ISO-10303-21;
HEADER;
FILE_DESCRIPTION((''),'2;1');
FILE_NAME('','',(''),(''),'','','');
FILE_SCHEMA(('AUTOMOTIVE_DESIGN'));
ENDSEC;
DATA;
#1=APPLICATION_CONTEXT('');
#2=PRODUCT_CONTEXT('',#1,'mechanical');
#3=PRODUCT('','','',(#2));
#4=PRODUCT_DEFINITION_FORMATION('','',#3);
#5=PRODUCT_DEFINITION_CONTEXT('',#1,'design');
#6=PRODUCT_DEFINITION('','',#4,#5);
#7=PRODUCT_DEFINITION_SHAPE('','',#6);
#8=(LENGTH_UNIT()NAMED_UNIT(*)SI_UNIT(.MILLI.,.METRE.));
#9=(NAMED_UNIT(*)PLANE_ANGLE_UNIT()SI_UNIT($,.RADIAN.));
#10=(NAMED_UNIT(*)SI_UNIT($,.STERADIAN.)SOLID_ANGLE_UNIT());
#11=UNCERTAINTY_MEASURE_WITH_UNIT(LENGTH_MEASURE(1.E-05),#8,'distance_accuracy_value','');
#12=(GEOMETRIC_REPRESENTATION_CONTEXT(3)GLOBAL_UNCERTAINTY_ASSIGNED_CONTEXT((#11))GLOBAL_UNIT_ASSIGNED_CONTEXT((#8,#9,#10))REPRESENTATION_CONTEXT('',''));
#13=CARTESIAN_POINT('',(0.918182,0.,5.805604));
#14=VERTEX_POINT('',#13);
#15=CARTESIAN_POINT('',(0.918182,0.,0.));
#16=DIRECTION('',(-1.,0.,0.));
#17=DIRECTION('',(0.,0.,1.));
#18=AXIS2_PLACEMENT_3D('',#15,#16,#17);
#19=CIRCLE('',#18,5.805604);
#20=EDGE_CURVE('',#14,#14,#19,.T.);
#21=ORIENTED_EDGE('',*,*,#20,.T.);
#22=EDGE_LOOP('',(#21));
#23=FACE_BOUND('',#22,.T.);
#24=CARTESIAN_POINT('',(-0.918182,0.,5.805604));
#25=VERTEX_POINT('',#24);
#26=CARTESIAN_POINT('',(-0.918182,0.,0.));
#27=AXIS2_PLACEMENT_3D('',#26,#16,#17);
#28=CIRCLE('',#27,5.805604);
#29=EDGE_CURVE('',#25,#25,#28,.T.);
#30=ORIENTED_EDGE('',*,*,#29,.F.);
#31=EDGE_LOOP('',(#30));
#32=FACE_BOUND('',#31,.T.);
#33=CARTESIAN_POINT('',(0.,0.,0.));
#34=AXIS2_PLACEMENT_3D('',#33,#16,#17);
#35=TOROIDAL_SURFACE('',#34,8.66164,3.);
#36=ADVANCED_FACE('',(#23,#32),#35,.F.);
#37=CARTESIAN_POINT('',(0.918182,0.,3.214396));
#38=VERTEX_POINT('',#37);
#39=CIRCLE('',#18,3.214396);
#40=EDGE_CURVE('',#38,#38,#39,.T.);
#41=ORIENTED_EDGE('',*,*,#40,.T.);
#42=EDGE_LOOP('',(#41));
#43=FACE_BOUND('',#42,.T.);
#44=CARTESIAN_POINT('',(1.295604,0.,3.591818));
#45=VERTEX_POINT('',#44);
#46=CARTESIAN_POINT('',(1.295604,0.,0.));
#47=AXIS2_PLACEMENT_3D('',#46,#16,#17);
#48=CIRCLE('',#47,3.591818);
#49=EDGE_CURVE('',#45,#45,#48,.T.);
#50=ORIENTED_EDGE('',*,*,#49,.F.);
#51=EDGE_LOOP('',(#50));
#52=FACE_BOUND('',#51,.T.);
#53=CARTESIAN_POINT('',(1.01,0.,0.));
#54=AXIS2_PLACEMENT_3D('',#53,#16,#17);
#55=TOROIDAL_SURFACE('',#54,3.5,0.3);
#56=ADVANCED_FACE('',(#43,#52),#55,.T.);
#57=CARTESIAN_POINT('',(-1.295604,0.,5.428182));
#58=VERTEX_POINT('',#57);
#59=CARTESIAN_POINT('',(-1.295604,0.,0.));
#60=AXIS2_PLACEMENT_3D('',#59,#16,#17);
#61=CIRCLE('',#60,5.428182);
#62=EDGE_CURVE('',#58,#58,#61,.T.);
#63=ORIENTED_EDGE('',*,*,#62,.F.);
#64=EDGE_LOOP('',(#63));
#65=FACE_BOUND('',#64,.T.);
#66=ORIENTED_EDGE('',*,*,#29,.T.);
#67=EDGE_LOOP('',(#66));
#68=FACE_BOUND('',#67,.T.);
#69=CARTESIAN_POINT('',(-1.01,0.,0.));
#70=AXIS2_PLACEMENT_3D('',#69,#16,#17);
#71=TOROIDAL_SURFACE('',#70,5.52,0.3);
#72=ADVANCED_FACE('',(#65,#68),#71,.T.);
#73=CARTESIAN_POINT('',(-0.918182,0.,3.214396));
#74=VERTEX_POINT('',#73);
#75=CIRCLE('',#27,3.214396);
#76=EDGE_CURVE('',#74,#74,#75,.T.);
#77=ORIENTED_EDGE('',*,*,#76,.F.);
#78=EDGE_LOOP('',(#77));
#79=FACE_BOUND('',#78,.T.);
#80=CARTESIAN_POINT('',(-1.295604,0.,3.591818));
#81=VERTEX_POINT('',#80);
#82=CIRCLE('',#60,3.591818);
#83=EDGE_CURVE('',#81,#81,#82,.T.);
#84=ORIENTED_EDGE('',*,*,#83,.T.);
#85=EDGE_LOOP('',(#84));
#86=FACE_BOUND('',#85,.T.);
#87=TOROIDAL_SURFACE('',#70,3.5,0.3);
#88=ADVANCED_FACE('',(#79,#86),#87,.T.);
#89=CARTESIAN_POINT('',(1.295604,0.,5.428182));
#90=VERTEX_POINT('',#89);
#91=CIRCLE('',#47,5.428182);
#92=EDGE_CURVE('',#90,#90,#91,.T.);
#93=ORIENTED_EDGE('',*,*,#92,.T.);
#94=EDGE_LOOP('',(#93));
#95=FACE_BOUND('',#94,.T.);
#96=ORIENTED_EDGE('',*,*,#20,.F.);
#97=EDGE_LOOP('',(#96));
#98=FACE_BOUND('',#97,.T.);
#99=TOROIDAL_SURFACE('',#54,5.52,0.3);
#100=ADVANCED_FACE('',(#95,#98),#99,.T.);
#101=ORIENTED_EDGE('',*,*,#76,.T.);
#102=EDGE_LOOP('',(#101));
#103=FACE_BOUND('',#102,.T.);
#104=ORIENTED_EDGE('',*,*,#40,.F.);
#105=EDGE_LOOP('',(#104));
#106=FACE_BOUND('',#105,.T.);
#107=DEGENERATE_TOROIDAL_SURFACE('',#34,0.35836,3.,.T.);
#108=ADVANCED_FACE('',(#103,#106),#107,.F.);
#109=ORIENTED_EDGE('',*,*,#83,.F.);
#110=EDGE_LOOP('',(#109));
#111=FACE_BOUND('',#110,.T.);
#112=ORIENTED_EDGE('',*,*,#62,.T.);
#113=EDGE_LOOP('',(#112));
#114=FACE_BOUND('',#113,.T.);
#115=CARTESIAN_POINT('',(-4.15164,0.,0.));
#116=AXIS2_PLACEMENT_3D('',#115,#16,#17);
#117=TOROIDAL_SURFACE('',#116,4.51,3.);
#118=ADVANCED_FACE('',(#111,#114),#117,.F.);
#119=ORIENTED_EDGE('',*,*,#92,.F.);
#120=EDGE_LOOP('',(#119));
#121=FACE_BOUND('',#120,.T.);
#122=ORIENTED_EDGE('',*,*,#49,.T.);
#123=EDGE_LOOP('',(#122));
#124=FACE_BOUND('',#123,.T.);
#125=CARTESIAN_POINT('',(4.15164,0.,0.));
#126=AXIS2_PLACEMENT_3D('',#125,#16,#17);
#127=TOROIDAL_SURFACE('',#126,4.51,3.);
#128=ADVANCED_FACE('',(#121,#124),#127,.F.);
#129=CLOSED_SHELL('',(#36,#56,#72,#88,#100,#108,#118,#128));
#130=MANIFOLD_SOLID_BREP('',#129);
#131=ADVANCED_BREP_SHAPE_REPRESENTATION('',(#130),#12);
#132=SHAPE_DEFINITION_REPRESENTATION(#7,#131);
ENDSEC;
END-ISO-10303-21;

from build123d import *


with BuildPart() as part:
    # 草图1 → 旋转1 (revolve)
    with BuildSketch(Plane.XY, mode=Mode.PRIVATE) as revolve_1_sk:
        with BuildLine():
            ThreePointArc((-0.918181818, 5.805603609), (-1.222132034, 5.732132034), (-1.295603609, 5.428181818))
            ThreePointArc((-1.295603609, 5.428181818), (-1.151639699, 4.51), (-1.295603609, 3.591818182))
            ThreePointArc((-1.295603609, 3.591818182), (-1.222132034, 3.287867966), (-0.918181818, 3.214396391))
            ThreePointArc((-0.918181818, 3.214396391), (0, 3.358360301), (0.918181818, 3.214396391))
            ThreePointArc((0.918181818, 3.214396391), (1.222132034, 3.287867966), (1.295603609, 3.591818182))
            ThreePointArc((1.295603609, 3.591818182), (1.151639699, 4.51), (1.295603609, 5.428181818))
            ThreePointArc((1.295603609, 5.428181818), (1.222132034, 5.732132034), (0.918181818, 5.805603609))
            ThreePointArc((0.918181818, 5.805603609), (0, 5.661639699), (-0.918181818, 5.805603609))
        make_face()
    revolve(revolve_1_sk.sketch.rotate(Axis((0, 0, 0), (1, 0, 0)), 90), axis=Axis((0, 0, 0), (1, 0, 0)))


solid = part.part
